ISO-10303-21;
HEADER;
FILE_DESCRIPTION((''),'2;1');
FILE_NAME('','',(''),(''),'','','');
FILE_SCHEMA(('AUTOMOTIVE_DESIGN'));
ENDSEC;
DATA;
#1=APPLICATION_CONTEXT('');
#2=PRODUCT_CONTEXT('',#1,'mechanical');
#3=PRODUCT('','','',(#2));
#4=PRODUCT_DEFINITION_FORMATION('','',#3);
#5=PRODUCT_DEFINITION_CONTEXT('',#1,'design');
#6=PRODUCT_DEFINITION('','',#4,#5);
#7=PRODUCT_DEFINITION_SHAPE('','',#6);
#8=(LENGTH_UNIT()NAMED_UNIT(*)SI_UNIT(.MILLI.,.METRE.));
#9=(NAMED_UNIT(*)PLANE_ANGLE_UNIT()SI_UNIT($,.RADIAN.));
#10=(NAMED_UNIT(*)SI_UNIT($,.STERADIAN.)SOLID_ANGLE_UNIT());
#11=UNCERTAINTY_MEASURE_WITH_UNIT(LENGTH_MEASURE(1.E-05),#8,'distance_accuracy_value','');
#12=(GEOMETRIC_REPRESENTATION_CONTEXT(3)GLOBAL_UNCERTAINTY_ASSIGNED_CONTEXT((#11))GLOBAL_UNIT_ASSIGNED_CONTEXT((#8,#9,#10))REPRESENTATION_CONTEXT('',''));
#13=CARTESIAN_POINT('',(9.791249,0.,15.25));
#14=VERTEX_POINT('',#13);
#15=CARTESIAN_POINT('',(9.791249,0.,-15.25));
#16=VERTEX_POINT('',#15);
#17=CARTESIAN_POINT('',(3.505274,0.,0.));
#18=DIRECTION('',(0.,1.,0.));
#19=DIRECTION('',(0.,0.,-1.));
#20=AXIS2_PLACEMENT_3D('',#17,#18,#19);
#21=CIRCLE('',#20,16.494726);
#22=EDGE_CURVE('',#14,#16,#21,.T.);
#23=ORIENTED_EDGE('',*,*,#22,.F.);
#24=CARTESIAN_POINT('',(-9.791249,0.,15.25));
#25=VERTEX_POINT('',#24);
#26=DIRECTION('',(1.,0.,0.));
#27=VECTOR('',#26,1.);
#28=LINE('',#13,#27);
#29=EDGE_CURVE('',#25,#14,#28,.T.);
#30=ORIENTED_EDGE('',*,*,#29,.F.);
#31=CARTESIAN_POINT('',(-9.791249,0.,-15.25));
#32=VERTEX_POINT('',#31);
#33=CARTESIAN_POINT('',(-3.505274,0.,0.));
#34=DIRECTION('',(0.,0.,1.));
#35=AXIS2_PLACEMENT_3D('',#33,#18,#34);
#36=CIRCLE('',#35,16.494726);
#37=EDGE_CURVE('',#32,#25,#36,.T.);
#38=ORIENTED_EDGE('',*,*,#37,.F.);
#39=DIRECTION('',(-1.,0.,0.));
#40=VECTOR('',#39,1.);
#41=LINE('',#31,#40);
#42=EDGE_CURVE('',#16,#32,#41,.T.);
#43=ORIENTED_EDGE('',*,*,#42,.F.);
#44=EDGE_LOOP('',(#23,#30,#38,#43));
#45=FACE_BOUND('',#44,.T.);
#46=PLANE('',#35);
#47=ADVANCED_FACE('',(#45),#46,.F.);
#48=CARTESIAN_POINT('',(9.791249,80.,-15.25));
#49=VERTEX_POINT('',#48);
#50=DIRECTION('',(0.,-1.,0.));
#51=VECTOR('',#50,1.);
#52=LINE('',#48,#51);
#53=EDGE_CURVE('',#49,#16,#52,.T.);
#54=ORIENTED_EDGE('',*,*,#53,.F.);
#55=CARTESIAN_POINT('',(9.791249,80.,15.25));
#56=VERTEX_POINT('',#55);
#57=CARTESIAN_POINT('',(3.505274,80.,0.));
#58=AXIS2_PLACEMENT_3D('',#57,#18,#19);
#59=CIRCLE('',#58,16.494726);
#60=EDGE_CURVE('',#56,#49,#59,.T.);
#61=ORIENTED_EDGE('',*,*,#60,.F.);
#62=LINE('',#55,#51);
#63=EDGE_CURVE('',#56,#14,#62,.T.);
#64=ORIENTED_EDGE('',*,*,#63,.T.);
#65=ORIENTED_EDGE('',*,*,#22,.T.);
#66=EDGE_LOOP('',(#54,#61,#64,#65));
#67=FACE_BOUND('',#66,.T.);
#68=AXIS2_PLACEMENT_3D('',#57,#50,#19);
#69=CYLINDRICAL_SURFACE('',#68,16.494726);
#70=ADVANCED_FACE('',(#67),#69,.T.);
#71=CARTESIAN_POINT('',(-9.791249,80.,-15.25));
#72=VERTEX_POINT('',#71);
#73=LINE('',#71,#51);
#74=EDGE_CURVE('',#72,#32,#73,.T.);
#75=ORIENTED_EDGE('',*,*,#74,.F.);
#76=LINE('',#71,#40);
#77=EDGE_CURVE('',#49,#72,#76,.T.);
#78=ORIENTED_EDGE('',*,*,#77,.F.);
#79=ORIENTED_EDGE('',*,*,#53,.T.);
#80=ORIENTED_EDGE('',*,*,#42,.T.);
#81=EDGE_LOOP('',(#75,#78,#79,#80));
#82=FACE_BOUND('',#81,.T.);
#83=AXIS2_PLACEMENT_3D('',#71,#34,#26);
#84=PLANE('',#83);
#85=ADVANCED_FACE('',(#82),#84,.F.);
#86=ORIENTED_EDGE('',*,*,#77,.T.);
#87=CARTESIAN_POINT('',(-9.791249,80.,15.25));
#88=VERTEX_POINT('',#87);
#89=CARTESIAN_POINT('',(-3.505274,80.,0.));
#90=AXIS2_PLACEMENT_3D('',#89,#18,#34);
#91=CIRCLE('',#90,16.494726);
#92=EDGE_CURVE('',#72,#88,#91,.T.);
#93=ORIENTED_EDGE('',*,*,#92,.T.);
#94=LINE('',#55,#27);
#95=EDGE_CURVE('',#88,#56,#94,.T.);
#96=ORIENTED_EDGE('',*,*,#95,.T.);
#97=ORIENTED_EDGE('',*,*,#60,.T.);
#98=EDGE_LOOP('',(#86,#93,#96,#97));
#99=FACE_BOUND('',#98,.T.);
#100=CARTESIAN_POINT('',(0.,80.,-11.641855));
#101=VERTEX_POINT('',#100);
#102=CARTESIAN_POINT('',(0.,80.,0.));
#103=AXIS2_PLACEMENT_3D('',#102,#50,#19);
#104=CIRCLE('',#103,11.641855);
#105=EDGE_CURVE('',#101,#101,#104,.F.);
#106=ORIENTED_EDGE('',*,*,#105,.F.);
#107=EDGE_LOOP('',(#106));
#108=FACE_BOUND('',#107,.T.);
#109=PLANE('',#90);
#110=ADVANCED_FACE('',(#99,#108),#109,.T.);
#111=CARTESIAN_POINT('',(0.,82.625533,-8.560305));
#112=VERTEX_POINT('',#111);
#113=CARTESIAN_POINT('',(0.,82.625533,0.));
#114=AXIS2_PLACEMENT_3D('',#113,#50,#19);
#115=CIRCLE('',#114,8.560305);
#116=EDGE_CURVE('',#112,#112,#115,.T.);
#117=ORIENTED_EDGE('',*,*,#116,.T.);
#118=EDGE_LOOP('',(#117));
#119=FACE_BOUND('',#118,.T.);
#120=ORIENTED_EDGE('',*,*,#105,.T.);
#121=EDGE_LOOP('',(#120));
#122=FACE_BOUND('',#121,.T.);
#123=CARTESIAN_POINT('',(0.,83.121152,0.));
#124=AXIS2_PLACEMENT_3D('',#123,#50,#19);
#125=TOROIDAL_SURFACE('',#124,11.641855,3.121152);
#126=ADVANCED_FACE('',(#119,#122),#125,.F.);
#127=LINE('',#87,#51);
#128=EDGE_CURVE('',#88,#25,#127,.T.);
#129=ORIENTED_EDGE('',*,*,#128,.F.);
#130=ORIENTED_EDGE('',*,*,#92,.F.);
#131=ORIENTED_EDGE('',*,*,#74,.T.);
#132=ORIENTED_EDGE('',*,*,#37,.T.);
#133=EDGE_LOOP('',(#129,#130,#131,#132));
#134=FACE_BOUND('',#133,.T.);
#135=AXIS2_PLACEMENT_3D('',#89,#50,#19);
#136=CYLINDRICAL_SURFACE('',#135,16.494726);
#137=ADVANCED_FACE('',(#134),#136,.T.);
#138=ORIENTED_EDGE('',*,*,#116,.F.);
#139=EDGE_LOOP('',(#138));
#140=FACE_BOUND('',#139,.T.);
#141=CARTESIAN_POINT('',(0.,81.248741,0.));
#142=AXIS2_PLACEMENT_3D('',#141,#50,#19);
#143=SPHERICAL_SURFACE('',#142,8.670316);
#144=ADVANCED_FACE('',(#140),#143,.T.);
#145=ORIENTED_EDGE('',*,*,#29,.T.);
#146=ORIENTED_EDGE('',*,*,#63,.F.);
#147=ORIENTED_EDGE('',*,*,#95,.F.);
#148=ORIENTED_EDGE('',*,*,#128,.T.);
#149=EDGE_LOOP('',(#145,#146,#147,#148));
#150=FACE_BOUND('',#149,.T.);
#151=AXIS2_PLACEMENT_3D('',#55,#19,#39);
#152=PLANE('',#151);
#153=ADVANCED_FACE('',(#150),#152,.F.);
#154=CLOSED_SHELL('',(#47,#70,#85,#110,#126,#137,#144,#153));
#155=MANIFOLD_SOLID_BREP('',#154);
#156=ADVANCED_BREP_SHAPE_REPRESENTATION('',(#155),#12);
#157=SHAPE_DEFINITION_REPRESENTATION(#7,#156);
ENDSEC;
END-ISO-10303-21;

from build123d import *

# Parameters (mm, degrees)
BOSS_EXTRUDE1_DEPTH = 80


with BuildPart() as part:
    # Sketch1 → Boss-Extrude1 (new body)
    with BuildSketch(Plane(origin=(0, 0, 0), x_dir=(1, 0, 0), z_dir=(0, 1, 0))):
        with BuildLine():
            Line((-9.791248996, 15.25), (9.791248996, 15.25))
            ThreePointArc((9.791248996, 15.25), (20, 0), (9.791248996, -15.25))
            Line((9.791248996, -15.25), (-9.791248996, -15.25))
            ThreePointArc((-9.791248996, -15.25), (-20, 0), (-9.791248996, 15.25))
        make_face()
    extrude(amount=BOSS_EXTRUDE1_DEPTH)

    # Sketch4 → Revolve1 (revolve)
    with BuildSketch(Plane(origin=(0, 0, 0), x_dir=(0, 0, -1), z_dir=(1, 0, 0))):
        with BuildLine():
            Line((0, 80), (11.641855063, 80))
            ThreePointArc((11.641855063, 80), (9.61766545, 80.745389743), (8.560304848, 82.625532826))
            ThreePointArc((8.560304848, 82.625532826), (5.623040011, 87.848422876), (0, 89.919057131))
            Line((0, 89.919057131), (0, 80))
        make_face()
    revolve(axis=Axis((0, 80, 0), (0, 1, 0)))


solid = part.part
